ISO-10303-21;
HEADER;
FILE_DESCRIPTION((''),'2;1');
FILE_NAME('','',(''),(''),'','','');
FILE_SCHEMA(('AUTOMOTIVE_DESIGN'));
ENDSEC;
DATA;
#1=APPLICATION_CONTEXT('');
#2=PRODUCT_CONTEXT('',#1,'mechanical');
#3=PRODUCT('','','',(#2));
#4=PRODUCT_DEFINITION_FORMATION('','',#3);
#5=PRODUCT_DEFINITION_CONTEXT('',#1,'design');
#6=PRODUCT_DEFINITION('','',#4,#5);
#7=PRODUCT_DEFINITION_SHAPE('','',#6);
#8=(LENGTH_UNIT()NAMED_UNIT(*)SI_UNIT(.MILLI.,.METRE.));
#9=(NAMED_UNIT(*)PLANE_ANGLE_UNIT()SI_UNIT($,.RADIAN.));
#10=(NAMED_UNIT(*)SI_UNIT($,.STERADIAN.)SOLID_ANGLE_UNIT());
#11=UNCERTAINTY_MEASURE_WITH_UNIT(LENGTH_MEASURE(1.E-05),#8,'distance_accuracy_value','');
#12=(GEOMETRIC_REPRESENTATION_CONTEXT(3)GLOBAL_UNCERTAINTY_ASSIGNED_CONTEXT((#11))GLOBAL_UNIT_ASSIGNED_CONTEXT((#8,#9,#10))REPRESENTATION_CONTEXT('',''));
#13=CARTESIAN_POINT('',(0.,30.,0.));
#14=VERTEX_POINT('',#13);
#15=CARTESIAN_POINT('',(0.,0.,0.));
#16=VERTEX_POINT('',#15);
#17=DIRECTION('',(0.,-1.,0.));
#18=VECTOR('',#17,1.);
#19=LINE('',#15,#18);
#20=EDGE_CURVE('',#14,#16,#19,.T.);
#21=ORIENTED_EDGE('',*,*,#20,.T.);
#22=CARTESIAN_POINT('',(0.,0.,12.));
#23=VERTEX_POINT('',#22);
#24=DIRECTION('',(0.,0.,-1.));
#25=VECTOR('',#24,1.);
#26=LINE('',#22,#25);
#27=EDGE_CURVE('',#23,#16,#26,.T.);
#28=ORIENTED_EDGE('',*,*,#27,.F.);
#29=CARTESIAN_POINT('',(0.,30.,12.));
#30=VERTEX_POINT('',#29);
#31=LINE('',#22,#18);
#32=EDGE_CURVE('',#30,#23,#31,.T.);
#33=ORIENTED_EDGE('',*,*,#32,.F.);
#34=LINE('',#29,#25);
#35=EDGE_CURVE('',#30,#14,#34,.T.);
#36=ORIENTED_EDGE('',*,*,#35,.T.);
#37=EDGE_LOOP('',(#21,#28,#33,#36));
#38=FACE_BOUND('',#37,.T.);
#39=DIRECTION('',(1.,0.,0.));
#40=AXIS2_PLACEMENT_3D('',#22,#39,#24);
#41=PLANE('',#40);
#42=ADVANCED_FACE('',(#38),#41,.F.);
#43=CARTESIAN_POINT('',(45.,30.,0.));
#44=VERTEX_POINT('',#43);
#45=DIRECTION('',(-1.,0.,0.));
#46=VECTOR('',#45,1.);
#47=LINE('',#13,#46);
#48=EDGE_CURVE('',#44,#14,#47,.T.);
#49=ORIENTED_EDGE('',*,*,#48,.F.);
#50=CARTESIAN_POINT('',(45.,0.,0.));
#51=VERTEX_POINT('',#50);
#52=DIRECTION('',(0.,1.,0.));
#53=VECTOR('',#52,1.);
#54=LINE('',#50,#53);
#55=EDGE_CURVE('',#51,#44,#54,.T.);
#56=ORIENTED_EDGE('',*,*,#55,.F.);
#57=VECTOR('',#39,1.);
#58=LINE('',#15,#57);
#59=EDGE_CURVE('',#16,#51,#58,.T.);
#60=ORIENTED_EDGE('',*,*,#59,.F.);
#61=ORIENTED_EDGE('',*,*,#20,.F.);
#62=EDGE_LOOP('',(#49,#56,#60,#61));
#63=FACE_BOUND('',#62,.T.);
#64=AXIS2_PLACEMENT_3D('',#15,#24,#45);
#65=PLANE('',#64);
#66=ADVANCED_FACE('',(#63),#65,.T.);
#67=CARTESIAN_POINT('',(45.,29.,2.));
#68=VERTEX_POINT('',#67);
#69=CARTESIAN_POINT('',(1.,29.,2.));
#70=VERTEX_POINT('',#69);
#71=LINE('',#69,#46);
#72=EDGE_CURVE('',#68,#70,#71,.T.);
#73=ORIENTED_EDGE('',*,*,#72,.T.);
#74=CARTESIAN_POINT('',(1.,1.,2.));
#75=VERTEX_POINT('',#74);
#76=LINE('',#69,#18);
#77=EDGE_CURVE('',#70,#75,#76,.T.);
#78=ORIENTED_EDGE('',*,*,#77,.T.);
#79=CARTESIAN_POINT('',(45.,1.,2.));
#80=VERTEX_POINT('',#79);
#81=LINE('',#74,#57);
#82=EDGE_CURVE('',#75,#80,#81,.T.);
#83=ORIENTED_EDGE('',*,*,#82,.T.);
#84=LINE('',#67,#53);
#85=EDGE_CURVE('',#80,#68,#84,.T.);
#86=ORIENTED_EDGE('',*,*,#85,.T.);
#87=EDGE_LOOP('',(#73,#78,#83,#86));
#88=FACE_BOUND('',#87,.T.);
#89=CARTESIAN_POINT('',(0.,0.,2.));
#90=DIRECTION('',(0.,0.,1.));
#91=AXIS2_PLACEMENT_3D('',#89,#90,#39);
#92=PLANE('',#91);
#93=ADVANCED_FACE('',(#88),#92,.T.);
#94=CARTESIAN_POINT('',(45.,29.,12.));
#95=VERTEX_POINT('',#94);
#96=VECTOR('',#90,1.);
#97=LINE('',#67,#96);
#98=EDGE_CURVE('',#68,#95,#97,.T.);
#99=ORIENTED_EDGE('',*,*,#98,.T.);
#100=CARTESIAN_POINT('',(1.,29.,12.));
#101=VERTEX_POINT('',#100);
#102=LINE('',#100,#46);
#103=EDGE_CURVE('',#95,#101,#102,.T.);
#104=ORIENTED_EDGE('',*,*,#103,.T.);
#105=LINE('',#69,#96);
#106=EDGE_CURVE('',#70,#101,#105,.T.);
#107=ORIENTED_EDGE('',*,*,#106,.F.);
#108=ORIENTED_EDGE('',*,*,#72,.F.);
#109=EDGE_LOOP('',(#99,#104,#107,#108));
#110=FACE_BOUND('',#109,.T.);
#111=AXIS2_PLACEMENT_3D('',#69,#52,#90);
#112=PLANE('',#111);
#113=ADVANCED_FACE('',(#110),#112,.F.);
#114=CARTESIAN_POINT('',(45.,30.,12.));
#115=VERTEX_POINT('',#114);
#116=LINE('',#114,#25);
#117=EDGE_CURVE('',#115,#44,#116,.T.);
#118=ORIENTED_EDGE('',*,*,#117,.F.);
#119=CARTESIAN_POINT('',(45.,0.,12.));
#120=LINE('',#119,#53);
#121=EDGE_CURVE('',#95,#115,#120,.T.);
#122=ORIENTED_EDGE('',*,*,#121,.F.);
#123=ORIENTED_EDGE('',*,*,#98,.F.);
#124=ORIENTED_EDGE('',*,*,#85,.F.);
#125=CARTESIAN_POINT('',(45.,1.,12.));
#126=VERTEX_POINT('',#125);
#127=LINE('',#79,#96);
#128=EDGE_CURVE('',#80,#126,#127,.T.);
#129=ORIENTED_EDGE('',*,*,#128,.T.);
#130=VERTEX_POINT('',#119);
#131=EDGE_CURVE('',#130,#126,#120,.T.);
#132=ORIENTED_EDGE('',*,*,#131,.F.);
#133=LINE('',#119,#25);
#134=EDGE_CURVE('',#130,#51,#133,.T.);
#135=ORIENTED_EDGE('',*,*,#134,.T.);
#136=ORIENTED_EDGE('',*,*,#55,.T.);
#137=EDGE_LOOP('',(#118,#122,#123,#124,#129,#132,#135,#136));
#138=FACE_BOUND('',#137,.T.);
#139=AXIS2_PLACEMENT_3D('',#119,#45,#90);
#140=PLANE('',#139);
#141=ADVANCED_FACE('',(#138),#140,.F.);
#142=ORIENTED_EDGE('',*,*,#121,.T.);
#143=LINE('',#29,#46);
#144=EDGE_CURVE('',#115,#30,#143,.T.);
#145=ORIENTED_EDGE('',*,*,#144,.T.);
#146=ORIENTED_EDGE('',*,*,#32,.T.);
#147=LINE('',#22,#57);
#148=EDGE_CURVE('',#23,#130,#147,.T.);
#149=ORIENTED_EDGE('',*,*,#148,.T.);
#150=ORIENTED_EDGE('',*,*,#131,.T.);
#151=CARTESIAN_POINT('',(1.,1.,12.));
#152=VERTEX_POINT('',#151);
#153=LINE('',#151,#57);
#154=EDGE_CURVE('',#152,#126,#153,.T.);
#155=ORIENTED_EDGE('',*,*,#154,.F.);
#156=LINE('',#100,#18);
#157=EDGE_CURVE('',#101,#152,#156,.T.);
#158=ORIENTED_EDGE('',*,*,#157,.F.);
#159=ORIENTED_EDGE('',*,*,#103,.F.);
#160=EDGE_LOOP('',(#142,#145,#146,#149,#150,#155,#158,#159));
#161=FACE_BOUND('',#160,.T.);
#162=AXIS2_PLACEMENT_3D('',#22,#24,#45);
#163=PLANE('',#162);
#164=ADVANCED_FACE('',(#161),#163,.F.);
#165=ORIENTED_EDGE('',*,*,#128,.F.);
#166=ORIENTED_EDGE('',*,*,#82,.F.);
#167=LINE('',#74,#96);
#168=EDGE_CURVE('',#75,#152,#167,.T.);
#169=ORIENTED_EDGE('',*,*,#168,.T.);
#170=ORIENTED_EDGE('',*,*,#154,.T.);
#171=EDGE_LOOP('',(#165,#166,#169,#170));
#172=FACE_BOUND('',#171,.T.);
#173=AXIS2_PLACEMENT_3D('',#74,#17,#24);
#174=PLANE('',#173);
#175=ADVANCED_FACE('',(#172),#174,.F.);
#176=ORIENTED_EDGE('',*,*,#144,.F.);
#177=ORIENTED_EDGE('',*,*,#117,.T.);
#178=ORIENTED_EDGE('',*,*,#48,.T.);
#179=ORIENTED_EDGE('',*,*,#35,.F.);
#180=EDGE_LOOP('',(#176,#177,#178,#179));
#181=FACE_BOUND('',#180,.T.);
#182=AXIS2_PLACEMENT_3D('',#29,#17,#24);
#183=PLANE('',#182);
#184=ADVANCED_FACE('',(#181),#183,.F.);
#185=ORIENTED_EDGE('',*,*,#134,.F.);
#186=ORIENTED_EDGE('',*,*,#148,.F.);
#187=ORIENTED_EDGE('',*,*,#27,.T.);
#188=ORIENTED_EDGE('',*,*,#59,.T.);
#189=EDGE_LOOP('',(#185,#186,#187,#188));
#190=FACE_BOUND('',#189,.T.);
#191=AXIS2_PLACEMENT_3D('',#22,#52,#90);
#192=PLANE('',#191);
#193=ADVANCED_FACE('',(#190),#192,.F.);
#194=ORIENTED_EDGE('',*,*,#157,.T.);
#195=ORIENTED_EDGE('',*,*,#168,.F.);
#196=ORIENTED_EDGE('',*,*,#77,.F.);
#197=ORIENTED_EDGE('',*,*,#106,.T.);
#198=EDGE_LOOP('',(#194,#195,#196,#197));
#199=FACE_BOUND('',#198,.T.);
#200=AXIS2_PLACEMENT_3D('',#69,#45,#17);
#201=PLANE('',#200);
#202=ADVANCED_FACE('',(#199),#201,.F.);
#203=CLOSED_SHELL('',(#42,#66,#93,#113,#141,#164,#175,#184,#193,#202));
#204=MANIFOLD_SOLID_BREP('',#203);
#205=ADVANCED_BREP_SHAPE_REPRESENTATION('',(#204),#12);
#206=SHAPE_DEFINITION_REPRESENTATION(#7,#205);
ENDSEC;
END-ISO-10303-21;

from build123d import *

# Parameters (mm, degrees)
SKETCH1_W           = 45
SKETCH1_H           = 30
BOSS_EXTRUDE1_DEPTH = 12
SKETCH2_W           = 44
SKETCH2_H           = 28
CUT_EXTRUDE1_DEPTH  = 10


with BuildPart() as part:
    # Sketch1 → Boss-Extrude1 (new body)
    with BuildSketch(Plane.XY):
        with Locations((22.5, 15)):
            Rectangle(SKETCH1_W, SKETCH1_H)
    extrude(amount=BOSS_EXTRUDE1_DEPTH)

    # Sketch2 → Cut-Extrude1 (cut)
    with BuildSketch(Plane.XY.offset(12)):
        with Locations((23, 15)):
            Rectangle(SKETCH2_W, SKETCH2_H)
    extrude(amount=-CUT_EXTRUDE1_DEPTH, mode=Mode.SUBTRACT)


solid = part.part
